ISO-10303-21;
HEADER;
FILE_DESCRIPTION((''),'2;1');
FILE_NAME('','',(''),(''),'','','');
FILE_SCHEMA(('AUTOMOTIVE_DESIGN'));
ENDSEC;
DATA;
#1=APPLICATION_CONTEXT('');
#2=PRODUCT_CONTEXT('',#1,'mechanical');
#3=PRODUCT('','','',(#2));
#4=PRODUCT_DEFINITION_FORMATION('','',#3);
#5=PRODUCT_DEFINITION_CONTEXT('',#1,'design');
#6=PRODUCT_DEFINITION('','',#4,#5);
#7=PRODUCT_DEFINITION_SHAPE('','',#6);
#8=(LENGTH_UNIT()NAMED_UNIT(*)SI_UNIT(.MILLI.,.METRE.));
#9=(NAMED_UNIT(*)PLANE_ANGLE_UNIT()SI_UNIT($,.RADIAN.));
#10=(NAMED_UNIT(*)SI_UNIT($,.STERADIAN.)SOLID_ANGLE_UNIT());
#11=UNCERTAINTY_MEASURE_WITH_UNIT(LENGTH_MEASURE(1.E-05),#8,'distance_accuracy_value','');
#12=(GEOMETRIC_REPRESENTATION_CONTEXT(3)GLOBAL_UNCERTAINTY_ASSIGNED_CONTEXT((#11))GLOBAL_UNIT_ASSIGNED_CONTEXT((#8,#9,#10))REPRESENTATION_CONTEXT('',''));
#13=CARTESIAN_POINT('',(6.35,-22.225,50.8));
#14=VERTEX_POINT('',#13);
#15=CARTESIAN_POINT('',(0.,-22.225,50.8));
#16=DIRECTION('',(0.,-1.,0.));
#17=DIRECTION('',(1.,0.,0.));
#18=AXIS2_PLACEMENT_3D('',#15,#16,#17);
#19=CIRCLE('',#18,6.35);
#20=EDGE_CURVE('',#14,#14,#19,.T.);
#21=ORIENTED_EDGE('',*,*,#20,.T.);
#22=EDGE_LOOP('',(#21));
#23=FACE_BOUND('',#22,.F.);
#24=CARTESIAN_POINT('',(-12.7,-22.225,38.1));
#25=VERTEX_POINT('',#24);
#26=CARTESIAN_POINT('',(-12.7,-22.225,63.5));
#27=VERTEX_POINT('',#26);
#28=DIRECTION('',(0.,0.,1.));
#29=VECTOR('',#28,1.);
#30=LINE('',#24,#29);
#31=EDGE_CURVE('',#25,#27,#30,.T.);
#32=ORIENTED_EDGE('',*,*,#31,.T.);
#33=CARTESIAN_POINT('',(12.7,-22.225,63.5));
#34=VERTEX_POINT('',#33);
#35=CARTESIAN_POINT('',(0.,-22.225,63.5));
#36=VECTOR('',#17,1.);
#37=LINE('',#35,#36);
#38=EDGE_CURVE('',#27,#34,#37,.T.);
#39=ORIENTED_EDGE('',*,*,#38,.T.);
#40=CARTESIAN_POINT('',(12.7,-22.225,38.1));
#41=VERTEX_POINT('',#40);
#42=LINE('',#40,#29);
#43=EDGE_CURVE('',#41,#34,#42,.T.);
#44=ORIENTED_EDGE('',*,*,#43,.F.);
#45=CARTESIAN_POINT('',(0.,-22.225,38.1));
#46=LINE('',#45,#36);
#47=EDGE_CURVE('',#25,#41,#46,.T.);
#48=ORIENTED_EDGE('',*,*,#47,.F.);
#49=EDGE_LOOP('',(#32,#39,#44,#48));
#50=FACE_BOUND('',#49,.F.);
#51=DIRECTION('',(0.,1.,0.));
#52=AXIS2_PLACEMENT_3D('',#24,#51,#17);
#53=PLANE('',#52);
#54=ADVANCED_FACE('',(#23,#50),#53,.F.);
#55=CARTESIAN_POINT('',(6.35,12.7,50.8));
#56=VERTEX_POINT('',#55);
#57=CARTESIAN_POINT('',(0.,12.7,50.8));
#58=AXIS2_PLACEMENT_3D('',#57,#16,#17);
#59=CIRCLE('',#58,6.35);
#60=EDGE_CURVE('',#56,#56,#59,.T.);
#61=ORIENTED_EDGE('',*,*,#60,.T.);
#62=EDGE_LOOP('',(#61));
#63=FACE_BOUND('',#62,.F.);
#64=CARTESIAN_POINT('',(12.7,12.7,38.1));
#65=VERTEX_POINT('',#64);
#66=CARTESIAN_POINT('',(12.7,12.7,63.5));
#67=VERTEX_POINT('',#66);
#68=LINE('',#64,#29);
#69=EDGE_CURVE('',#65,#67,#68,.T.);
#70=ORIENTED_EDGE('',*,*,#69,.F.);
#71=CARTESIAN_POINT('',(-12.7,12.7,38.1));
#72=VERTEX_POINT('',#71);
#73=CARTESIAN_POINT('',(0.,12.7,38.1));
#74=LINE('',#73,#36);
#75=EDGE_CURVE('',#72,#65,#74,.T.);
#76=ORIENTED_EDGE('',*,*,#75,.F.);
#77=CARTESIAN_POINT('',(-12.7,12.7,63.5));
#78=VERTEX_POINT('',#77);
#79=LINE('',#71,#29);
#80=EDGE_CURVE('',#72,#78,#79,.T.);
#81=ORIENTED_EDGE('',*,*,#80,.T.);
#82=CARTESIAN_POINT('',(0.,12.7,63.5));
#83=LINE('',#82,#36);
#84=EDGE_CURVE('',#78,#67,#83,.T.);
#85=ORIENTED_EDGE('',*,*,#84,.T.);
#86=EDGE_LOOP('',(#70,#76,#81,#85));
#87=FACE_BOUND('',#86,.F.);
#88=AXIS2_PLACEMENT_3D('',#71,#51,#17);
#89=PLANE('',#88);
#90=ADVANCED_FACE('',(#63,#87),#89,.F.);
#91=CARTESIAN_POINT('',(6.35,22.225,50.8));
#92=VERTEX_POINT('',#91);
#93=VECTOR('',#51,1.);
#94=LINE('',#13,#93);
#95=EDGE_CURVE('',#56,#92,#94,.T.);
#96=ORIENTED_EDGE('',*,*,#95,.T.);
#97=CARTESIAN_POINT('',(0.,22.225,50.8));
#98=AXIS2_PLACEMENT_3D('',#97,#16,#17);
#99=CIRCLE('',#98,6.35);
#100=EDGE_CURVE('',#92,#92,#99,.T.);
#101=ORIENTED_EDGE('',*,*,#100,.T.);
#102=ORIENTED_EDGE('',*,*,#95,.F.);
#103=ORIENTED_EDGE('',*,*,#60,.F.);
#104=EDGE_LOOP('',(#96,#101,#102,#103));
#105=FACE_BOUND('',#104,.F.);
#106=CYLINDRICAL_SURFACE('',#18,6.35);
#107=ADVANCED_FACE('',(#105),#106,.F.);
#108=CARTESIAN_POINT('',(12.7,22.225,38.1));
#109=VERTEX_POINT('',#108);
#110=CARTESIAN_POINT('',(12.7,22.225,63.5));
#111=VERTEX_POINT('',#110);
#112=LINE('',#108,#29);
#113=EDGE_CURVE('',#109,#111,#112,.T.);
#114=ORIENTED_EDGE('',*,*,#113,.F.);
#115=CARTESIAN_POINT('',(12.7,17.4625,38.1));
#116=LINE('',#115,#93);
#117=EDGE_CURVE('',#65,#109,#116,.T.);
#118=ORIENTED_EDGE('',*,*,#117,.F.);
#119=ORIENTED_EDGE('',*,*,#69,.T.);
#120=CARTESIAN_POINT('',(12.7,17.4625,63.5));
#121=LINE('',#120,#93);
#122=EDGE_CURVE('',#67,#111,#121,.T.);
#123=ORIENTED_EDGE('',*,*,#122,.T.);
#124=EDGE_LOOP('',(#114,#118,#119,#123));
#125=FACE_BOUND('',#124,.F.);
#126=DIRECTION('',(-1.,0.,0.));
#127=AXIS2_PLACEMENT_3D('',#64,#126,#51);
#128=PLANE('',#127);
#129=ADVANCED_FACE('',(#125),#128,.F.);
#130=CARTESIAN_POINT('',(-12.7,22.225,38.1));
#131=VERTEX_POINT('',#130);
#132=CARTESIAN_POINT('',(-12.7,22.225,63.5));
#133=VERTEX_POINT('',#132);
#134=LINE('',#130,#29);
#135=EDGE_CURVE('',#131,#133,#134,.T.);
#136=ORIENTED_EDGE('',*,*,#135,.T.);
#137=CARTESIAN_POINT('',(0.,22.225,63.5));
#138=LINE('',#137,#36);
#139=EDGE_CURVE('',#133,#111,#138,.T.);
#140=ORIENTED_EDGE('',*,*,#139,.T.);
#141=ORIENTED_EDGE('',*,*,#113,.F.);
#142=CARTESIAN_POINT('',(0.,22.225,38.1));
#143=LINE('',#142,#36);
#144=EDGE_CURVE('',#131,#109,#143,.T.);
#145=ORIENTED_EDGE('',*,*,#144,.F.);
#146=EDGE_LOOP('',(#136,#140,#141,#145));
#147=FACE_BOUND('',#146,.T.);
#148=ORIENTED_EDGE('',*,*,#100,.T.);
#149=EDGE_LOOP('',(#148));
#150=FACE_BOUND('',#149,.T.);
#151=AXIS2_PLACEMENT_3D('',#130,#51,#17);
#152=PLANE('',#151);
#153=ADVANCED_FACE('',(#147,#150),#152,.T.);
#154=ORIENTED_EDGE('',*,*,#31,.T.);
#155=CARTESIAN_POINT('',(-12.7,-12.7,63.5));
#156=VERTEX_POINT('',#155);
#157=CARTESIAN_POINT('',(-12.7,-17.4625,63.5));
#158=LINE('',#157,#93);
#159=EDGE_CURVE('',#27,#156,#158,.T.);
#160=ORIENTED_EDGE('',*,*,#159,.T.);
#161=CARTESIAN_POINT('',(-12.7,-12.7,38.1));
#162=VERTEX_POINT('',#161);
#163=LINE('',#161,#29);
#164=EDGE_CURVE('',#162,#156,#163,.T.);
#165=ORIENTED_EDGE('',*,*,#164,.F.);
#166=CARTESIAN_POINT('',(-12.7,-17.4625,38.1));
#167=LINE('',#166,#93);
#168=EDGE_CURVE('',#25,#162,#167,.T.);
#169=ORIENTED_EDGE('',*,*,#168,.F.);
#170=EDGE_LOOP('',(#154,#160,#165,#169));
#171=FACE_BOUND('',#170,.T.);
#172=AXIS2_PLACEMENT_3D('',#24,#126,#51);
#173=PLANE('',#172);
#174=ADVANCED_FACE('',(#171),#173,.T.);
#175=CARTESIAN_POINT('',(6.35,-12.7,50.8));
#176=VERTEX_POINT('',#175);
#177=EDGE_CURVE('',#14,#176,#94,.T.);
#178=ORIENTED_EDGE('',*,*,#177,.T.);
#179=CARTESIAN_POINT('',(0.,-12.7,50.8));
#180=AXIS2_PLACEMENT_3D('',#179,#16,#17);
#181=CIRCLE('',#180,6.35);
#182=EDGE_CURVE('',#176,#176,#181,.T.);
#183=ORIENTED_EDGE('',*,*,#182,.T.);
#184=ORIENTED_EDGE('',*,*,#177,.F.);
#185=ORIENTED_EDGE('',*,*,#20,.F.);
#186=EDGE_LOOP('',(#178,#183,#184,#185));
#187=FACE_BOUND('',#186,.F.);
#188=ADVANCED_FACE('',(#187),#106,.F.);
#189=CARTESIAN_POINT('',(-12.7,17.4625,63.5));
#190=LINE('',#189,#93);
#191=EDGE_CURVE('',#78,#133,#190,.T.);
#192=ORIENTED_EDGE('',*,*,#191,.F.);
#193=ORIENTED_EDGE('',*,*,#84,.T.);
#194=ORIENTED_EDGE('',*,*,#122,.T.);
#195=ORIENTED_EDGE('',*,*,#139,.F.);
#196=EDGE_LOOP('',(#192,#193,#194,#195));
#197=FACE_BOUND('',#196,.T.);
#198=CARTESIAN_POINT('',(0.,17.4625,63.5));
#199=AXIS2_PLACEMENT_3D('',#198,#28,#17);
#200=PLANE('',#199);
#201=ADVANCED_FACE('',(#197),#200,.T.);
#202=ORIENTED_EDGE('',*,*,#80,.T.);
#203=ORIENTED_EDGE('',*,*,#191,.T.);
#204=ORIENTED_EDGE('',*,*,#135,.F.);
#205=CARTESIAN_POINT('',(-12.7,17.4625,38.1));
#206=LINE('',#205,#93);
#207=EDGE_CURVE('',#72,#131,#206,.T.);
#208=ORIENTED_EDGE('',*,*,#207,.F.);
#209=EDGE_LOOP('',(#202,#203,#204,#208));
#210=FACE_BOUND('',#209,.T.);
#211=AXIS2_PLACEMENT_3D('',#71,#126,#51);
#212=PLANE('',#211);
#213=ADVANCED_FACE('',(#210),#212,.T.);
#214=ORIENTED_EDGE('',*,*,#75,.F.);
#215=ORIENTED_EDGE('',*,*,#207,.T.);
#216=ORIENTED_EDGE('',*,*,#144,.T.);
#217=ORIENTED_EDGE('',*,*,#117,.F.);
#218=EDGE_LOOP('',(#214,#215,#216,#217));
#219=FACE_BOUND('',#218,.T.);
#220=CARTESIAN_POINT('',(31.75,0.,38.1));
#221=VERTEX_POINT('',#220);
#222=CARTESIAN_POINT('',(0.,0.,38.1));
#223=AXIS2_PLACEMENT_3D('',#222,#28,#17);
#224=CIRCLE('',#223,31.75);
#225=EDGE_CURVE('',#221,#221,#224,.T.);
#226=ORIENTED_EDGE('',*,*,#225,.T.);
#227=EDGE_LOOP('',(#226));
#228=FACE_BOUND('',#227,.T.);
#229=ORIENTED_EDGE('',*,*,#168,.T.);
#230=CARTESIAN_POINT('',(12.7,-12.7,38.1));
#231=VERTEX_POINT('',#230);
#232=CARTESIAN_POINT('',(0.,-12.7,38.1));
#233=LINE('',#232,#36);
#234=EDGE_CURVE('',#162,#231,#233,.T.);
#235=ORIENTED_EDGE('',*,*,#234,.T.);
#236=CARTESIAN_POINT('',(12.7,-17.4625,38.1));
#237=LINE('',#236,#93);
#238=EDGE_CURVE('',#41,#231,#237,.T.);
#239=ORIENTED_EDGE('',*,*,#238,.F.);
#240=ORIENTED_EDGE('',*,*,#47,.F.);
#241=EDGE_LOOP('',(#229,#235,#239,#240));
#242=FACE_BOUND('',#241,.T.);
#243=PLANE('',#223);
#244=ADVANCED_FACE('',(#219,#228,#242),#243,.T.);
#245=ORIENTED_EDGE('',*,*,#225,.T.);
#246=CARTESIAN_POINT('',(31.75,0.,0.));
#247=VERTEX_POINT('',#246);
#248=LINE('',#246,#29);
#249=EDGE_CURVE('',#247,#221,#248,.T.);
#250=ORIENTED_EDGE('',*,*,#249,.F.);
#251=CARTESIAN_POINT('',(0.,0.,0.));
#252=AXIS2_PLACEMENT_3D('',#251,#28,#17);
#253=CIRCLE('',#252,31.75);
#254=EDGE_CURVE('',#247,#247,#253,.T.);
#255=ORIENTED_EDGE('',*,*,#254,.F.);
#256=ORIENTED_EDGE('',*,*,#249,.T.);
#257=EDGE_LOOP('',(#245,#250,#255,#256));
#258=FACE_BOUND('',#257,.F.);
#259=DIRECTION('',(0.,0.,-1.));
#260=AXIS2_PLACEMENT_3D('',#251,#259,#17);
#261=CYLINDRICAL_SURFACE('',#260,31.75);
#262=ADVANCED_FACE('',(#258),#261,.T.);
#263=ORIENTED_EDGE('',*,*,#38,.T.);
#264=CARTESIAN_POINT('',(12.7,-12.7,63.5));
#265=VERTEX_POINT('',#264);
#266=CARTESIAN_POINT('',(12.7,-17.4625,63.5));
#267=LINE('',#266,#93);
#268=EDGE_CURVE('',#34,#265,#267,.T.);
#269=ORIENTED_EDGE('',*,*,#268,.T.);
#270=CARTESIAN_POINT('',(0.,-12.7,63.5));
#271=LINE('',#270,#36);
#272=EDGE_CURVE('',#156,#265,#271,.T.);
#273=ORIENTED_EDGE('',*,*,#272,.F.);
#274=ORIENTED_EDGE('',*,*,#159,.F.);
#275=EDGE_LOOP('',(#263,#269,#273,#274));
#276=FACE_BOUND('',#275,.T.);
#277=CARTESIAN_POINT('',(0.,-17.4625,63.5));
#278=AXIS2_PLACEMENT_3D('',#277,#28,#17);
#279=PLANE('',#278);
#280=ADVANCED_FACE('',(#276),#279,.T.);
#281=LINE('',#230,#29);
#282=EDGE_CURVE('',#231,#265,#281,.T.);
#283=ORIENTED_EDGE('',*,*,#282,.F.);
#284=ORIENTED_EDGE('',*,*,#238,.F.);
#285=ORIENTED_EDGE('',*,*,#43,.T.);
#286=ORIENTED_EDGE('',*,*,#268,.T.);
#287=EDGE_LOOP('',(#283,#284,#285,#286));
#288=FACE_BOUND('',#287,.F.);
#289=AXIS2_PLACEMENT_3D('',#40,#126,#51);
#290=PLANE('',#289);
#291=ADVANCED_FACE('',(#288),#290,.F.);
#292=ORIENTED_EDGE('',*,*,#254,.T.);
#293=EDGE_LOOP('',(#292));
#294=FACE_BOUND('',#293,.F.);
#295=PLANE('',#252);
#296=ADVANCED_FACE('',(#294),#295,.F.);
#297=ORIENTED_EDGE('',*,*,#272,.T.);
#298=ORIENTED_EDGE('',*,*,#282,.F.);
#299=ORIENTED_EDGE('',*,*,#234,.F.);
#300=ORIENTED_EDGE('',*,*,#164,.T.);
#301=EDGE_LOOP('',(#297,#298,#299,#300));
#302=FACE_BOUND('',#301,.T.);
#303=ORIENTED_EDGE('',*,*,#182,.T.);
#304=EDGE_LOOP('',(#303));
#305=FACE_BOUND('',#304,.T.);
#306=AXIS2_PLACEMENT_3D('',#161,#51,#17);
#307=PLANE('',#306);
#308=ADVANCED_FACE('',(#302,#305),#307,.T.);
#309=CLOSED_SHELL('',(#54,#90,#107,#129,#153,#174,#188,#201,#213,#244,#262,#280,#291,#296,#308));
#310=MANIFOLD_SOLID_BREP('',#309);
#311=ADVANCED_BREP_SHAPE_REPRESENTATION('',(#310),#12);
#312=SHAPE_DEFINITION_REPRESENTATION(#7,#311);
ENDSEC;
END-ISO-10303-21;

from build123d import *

# Parameters (mm, degrees)
F0_R     = 31.75
F1_DEPTH = 38.1
F2_W     = 25.4
F2_H     = 9.525
F3_DEPTH = 25.4
F4_R     = 6.35
F5_DEPTH = 44.45


with BuildPart() as f1:
    # F0 (on Top) → F1 (new body)
    with BuildSketch(Plane.XY):
        Circle(F0_R)
    extrude(amount=F1_DEPTH)

    # F2 (on face) → F3 (join)
    with BuildSketch(Plane.XY.offset(38.1)):
        with Locations((0, 17.4625)):
            Rectangle(F2_W, F2_H)
        with Locations((0, -17.4625)):
            Rectangle(F2_W, F2_H)
    extrude(amount=F3_DEPTH)

    # F4 (on face) → F5 (cut, through all)
    with BuildSketch(Plane.XZ.offset(22.225)):
        with Locations((0, 50.8)):
            Circle(F4_R)
    extrude(amount=-F5_DEPTH, mode=Mode.SUBTRACT)


solid = f1.part
